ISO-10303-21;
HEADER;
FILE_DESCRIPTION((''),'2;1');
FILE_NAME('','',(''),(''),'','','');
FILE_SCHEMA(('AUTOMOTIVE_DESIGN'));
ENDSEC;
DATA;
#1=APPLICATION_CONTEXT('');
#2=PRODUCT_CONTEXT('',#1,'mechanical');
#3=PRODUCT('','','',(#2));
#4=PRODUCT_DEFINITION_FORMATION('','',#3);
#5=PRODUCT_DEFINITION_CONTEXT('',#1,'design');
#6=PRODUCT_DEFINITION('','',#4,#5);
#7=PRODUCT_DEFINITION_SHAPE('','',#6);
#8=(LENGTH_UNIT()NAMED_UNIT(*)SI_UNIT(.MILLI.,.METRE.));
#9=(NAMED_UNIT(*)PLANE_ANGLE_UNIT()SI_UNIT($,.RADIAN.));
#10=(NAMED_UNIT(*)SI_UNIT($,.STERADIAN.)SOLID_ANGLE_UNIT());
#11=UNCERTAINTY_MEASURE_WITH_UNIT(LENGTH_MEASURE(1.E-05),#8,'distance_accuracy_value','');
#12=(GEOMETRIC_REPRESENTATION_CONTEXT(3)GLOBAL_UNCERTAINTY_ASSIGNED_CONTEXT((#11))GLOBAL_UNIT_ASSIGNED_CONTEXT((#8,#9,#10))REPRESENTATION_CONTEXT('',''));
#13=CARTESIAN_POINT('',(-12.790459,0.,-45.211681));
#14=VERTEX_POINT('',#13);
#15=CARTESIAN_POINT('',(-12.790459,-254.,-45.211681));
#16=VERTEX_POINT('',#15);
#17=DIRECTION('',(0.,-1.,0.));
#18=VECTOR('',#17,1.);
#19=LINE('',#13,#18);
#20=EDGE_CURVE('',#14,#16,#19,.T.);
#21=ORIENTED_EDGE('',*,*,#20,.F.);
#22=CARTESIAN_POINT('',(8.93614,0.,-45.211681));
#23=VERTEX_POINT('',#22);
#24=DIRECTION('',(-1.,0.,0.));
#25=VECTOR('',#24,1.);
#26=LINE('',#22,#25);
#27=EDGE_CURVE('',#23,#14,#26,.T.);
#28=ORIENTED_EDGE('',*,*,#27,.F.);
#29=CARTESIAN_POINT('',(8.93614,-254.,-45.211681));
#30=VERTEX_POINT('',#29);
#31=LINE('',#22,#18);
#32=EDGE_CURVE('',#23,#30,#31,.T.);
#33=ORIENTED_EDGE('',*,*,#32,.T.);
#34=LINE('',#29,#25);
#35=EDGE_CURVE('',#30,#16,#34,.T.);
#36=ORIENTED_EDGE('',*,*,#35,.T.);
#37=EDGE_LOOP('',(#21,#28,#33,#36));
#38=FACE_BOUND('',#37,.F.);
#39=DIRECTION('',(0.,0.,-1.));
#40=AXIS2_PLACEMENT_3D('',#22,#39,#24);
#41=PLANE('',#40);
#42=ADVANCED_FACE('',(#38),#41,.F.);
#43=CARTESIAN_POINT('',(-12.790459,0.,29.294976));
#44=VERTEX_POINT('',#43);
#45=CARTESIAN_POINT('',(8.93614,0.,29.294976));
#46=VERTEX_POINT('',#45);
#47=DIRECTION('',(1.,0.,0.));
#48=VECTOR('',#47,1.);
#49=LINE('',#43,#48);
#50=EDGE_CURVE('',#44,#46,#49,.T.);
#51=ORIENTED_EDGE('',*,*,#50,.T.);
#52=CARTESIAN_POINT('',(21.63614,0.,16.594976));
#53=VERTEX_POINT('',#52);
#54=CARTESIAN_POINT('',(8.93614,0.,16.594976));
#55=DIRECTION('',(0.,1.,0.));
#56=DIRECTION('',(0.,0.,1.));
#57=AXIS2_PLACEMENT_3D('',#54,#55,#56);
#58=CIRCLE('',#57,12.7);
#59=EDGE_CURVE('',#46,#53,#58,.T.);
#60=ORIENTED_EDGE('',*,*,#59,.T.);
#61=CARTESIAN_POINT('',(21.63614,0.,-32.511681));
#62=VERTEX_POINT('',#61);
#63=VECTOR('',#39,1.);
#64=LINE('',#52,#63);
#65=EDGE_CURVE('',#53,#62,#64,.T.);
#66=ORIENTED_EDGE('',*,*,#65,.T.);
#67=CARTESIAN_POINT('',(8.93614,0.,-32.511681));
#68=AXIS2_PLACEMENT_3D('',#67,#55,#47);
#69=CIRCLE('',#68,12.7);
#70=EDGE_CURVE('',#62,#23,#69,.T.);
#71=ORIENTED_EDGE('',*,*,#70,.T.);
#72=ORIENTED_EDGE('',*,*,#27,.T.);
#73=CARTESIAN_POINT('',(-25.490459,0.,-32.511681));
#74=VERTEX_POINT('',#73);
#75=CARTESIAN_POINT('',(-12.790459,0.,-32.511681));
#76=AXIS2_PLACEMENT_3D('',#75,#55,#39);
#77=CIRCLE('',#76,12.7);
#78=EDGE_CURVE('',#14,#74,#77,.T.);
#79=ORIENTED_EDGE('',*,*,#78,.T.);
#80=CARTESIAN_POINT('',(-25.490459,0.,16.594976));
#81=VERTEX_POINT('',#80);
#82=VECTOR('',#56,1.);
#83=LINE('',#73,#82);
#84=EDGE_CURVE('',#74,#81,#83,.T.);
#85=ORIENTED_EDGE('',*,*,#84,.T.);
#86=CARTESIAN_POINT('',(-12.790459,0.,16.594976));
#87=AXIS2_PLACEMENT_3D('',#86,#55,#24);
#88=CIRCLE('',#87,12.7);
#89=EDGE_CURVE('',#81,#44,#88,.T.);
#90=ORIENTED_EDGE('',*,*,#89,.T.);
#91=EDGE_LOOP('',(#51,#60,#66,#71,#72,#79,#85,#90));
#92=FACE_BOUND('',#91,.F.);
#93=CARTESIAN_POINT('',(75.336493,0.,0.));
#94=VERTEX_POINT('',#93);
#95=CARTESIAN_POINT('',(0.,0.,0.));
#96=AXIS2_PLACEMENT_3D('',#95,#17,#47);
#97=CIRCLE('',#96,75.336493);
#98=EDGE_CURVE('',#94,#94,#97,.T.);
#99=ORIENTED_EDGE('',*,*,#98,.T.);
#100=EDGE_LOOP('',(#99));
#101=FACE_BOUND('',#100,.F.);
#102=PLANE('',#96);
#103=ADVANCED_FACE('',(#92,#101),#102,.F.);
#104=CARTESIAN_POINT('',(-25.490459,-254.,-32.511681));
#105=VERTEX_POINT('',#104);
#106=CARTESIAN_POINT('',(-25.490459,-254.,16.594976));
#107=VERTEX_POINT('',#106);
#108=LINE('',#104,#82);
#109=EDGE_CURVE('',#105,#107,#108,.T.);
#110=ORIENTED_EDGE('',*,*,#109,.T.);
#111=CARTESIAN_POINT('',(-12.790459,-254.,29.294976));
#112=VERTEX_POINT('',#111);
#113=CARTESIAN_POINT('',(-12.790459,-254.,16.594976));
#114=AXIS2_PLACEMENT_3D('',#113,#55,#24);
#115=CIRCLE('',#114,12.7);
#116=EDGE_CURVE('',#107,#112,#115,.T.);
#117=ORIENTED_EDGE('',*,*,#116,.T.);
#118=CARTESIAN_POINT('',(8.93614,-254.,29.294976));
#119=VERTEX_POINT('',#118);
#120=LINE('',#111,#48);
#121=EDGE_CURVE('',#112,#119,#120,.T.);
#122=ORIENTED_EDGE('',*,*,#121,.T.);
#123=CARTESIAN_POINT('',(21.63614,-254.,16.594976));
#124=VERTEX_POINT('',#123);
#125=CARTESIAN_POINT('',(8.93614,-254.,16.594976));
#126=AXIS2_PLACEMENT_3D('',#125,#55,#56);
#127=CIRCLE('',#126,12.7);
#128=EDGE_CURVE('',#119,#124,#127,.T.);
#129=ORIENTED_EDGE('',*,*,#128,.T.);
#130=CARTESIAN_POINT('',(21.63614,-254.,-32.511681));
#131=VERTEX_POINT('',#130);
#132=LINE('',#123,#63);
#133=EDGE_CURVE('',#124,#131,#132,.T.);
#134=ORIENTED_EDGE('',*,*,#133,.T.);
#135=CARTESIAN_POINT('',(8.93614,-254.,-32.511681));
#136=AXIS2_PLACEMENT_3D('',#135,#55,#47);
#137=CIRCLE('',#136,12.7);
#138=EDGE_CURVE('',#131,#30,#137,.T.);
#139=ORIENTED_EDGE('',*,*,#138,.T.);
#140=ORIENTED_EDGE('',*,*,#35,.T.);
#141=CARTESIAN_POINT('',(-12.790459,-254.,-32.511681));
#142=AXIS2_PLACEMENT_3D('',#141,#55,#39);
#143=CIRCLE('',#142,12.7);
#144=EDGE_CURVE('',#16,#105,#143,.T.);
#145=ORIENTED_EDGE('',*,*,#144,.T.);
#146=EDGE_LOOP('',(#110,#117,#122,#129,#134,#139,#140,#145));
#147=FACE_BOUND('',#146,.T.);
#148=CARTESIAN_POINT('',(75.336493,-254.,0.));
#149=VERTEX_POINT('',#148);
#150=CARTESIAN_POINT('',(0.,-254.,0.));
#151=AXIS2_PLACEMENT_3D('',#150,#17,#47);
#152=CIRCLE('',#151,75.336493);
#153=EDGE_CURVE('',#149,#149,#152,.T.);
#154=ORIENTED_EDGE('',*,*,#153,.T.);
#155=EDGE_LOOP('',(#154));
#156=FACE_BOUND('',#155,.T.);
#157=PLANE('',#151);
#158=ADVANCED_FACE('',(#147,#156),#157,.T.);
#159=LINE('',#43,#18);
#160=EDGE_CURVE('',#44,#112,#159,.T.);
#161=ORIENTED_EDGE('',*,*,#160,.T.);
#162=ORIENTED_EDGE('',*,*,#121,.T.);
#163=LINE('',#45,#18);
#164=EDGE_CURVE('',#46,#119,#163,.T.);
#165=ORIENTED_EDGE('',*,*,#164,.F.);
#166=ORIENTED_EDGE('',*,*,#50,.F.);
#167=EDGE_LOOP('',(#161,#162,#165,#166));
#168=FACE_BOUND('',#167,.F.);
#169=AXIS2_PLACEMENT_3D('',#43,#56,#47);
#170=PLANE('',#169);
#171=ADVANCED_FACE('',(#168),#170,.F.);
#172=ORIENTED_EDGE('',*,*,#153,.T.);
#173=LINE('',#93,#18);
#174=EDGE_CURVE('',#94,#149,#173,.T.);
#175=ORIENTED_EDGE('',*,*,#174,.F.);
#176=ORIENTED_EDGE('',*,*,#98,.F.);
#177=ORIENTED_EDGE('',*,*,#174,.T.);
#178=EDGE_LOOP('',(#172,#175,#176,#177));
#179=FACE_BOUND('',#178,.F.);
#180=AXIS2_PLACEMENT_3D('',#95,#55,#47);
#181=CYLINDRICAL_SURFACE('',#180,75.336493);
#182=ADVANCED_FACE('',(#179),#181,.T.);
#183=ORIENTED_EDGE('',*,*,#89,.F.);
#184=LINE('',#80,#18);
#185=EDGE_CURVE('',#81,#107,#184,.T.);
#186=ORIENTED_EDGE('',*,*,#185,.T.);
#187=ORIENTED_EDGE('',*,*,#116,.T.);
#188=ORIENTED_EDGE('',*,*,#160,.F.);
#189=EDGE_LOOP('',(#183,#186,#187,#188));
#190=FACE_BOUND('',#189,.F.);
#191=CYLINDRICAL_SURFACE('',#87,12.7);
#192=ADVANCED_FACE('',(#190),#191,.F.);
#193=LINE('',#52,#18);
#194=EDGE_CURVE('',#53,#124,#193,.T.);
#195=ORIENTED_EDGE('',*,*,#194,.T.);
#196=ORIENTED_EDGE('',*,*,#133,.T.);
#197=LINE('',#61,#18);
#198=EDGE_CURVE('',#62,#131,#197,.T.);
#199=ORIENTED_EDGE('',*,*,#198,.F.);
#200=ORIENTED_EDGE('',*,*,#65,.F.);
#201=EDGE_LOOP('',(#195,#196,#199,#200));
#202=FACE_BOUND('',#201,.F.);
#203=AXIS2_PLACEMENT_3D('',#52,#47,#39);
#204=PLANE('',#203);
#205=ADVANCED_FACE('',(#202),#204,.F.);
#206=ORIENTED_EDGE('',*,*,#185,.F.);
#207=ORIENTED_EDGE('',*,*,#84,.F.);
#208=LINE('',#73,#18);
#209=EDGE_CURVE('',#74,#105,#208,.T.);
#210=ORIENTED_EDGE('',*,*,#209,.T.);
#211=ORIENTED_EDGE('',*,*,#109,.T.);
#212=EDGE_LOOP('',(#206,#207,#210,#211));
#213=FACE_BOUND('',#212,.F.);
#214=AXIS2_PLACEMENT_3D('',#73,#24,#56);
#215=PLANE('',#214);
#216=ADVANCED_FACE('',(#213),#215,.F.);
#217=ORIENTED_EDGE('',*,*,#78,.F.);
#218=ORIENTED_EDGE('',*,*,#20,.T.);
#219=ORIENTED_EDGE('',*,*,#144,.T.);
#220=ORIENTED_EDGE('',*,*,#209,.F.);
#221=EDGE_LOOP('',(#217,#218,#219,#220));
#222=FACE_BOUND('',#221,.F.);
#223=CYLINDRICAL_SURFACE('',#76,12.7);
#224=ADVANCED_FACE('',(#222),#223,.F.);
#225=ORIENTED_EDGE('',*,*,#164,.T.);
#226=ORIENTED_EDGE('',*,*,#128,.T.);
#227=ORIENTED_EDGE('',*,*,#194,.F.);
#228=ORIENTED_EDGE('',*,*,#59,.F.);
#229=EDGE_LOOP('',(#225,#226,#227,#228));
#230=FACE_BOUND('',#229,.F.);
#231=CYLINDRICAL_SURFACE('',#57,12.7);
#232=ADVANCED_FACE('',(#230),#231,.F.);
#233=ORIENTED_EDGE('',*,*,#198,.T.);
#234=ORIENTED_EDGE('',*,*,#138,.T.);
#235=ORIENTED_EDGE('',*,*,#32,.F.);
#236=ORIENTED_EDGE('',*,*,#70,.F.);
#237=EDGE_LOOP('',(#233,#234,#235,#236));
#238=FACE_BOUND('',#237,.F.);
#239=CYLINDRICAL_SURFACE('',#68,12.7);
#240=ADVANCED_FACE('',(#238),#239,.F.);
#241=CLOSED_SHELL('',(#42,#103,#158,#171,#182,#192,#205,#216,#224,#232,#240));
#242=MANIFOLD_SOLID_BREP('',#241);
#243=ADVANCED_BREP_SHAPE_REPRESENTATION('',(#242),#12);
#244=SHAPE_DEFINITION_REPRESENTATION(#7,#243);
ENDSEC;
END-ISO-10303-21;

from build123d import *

# Parameters (mm, degrees)
F0_R     = 75.336492889
F1_DEPTH = 254


with BuildPart() as f1:
    # F0 (on Front) → F1 (new body)
    with BuildSketch(Plane.XZ):
        Circle(F0_R)
        with BuildLine():
            Line((-12.7904590547, 29.2949755223), (0, 29.2949755223))
            Line((0, 29.2949755223), (8.9361396015, 29.2949755223))
            ThreePointArc((8.9361396015, 29.2949755223), (17.9163957225, 25.5752316434), (21.6361396015, 16.5949755223))
            Line((21.6361396015, 16.5949755223), (21.6361396015, -32.5116811878))
            ThreePointArc((21.6361396015, -32.5116811878), (17.9163957225, -41.4919373088), (8.9361396015, -45.2116811878))
            Line((8.9361396015, -45.2116811878), (-12.7904590547, -45.2116811878))
            ThreePointArc((-12.7904590547, -45.2116811878), (-21.7707151758, -41.4919373088), (-25.4904590547, -32.5116811878))
            Line((-25.4904590547, -32.5116811878), (-25.4904590547, 16.5949755223))
            ThreePointArc((-25.4904590547, 16.5949755223), (-21.7707151758, 25.5752316434), (-12.7904590547, 29.2949755223))
        make_face(mode=Mode.SUBTRACT)
    extrude(amount=F1_DEPTH)


solid = f1.part
